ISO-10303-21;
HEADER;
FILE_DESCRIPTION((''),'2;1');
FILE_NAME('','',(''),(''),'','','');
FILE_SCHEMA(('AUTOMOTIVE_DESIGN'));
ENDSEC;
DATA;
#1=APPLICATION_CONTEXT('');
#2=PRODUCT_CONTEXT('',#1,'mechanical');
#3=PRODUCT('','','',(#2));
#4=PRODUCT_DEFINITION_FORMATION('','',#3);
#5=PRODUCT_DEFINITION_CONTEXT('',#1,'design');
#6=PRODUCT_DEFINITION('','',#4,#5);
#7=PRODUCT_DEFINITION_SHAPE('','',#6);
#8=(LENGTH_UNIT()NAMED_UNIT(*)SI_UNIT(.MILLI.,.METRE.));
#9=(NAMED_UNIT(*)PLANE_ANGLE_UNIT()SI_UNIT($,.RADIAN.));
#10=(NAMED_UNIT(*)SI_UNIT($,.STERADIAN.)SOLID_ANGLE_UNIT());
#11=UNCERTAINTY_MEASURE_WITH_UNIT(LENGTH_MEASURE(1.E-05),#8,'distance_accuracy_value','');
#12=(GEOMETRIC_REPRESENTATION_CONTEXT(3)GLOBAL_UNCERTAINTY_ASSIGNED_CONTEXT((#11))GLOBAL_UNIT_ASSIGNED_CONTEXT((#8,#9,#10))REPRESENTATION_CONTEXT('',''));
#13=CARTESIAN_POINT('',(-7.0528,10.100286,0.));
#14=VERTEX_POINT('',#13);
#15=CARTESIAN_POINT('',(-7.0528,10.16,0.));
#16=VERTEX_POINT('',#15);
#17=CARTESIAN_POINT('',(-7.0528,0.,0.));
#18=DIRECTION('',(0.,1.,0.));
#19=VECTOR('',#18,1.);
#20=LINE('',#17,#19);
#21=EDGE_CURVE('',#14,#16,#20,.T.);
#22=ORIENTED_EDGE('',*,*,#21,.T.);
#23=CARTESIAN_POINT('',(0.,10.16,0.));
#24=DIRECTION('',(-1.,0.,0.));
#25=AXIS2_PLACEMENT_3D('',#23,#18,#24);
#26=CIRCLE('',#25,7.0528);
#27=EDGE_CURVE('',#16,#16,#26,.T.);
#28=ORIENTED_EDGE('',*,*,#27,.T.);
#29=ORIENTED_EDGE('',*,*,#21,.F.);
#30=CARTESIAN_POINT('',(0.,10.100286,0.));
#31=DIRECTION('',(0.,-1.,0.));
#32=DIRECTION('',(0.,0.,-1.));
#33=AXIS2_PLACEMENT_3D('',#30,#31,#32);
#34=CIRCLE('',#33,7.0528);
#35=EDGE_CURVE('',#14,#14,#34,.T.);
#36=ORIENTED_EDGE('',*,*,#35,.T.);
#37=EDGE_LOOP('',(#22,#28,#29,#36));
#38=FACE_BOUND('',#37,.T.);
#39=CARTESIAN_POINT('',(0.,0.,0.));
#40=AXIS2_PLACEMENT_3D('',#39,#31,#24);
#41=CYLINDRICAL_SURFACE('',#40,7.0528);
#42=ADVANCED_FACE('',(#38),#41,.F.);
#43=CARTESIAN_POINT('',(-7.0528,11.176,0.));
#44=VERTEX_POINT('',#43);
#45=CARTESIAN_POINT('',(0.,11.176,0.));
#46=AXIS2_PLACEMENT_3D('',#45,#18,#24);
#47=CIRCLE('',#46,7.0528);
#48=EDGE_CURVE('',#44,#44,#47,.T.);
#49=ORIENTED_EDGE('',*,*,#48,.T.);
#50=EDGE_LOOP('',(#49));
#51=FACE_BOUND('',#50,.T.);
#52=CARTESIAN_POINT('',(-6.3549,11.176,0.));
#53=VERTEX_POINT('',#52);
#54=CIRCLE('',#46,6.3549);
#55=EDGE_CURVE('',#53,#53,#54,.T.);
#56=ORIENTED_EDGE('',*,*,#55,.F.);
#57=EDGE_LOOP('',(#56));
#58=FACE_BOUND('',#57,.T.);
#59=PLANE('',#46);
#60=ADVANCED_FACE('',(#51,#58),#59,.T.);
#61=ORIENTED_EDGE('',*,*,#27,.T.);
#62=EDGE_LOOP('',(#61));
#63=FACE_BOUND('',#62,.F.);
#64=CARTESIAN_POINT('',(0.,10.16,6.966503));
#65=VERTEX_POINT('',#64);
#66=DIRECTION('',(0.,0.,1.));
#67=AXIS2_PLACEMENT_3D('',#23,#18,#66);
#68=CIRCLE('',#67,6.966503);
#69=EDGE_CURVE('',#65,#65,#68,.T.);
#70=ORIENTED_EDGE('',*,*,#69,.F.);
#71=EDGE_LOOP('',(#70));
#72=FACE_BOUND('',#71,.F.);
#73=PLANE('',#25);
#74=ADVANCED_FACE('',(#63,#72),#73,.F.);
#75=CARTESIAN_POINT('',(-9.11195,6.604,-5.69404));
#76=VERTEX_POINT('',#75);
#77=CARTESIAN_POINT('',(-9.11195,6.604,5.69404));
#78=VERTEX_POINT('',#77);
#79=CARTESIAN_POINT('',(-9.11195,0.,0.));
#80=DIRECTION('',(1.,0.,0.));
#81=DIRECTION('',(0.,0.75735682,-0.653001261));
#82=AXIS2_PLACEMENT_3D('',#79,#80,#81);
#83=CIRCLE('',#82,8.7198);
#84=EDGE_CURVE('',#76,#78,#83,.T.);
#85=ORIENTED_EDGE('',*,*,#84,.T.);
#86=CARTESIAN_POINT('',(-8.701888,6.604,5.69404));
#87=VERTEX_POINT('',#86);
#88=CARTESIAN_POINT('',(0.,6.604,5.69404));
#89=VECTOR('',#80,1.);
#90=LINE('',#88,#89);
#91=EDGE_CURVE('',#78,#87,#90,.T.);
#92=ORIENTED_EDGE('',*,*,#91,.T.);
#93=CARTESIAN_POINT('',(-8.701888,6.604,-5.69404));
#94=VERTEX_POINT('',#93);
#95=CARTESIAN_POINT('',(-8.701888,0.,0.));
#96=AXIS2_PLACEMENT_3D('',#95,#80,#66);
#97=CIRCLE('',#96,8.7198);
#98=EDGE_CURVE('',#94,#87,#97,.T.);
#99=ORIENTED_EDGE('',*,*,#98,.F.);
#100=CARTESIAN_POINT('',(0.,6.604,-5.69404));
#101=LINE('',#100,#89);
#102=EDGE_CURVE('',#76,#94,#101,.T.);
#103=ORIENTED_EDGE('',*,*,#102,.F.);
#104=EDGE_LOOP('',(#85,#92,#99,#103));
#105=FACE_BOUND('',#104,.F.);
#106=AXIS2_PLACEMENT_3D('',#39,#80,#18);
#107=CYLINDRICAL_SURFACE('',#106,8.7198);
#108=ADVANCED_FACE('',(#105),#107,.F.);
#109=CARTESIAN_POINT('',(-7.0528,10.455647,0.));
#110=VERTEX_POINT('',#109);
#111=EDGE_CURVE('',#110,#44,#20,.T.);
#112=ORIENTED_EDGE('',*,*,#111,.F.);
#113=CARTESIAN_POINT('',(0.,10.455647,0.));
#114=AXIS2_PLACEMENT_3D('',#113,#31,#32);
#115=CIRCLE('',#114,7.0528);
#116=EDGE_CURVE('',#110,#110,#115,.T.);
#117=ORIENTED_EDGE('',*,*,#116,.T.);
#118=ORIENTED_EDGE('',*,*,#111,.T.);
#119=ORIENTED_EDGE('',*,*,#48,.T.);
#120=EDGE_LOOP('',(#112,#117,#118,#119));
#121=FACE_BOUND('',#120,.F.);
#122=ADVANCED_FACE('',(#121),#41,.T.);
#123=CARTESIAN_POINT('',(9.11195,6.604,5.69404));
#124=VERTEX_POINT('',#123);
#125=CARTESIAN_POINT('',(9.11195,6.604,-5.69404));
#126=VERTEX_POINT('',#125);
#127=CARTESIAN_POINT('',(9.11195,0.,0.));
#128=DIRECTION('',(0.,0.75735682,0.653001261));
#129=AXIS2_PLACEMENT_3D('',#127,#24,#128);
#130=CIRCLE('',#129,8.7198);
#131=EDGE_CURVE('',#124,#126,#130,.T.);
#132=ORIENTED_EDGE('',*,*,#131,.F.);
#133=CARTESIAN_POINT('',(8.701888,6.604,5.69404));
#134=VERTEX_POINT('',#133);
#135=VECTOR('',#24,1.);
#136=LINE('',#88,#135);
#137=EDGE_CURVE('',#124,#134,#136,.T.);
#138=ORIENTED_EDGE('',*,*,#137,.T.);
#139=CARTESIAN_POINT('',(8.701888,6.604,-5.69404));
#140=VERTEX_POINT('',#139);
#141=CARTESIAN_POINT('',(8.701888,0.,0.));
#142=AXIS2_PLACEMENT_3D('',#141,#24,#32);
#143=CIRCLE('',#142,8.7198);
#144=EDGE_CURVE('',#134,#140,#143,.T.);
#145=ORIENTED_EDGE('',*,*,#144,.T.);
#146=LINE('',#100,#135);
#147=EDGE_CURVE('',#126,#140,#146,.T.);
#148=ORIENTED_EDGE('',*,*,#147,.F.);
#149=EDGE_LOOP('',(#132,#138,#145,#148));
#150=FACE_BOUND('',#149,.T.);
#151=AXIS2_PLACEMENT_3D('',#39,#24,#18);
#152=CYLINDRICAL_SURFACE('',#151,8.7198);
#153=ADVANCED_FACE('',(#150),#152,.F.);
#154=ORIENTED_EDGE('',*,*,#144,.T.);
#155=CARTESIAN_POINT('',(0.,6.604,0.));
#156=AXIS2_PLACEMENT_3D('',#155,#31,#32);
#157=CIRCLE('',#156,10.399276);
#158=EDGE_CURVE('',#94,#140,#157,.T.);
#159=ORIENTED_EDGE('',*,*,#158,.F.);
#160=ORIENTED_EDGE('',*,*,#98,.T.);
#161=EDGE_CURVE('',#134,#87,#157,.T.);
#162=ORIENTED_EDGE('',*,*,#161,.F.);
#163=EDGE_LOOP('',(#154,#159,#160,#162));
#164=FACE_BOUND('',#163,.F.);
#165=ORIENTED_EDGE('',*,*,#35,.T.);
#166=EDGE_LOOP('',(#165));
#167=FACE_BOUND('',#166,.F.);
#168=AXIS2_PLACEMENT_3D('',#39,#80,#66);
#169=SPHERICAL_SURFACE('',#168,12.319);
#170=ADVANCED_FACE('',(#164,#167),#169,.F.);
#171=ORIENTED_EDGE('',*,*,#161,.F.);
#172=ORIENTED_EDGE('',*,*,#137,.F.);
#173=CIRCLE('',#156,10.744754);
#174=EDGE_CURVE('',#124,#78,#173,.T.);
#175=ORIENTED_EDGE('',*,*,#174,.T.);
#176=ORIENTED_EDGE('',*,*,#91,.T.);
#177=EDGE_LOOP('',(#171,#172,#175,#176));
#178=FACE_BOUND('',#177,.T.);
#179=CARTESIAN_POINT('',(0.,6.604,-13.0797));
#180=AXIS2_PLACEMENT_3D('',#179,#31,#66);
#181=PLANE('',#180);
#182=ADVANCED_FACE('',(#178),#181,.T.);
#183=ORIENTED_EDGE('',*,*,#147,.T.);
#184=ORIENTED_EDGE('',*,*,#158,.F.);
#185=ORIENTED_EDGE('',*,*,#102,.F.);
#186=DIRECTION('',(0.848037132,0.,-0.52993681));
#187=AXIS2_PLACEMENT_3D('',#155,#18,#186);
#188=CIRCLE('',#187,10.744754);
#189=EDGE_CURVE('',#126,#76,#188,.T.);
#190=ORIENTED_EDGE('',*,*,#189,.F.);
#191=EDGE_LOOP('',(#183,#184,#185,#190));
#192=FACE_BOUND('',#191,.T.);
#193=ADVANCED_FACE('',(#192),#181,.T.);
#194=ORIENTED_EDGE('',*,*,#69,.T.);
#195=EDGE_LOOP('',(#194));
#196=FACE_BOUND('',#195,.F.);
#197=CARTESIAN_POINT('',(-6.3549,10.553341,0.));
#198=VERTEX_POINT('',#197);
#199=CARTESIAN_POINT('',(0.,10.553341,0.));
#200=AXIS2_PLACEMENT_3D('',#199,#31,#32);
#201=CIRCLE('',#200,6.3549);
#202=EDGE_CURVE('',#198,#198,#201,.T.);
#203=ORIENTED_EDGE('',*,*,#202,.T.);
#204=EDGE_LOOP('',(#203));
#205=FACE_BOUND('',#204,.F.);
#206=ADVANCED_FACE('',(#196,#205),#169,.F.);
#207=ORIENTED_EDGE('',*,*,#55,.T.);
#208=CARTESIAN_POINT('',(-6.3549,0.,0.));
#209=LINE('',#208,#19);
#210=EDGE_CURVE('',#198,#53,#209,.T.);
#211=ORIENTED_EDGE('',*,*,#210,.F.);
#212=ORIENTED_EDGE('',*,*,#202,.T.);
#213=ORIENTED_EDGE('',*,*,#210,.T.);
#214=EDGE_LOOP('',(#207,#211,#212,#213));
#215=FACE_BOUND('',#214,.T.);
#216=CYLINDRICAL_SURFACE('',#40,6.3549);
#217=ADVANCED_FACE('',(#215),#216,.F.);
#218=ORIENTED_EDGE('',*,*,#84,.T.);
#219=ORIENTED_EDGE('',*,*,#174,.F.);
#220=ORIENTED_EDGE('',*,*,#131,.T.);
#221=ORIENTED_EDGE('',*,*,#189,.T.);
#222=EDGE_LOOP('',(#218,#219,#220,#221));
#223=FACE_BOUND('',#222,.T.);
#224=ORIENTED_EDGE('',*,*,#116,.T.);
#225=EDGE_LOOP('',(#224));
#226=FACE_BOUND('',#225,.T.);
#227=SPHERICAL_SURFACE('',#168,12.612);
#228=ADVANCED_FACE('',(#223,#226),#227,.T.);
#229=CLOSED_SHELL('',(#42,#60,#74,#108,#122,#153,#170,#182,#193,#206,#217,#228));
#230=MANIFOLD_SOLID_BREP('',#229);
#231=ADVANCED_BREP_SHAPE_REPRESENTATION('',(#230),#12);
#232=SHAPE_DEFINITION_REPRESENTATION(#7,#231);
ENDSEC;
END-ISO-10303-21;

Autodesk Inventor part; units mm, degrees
ref_plane "XY Plane" through (0, 0, 0) normal (0, 0, 1) x (1, 0, 0)
sketch "Sketch1" plane through (0, 0, 0) normal (0, 1, 0) x (-1, 0, 0)
  circle A0 centre (0, 0) radius 12.612
  line L0 (12.612, 0) -> (-12.612, 0)
  circle A1 centre (0, 0) radius 21.59
  dimension "d29" = 43.18
revolve "Revolution1" add sketch "Sketch1" angle 360 about axis through (-12.612, 0, 0) along (1, 0, 0) contours L0 A0 | A0 L0
sketch "Sketch2" plane through (0, 0, 0) normal (0, 1, 0) x (-1, 0, 0)
  circle A0 centre (0, 0) radius 6.3549
extrude "Extrusion1" cut sketch "Sketch2" along normal mid plane 25.4
hole "Hole1" [suppressed]
hole "Hole2" [suppressed]
sketch "Sketch3" plane through (0, 0, 0) normal (0, 1, 0) x (-1, 0, 0)
  point P0 (0, 0)
sketch "Sketch4" plane through (0, 0, 0) normal (1, 0, 0) x (0, 1, 0)
  line L0 (6.604, 13.4644) -> (-12.0538, 13.4644)
  line L1 (-12.0538, 13.4644) -> (-12.0538, -13.0797)
  line L2 (-12.0538, -13.0797) -> (6.604, -13.0797)
  line L3 (6.604, -13.0797) -> (6.604, 13.4644)
  point P0 (0, 0)
extrude "Extrusion2" cut sketch "Sketch4" along normal mid plane 30.48
sketch "Sketch5" plane through (0, 0, 0) normal (1, 0, 0) x (0, 1, 0)
  circle A0 centre (0, 0) radius 8.7198
extrude "Extrusion3" cut sketch "Sketch5" along normal mid plane 30.48
sketch "Sketch6" plane through (0, 0, 0) normal (0, 1, 0) x (-1, 0, 0)
  circle A0 centre (0, 0) radius 6.3549
  circle A1 centre (0, 0) radius 7.0528
extrude "Extrusion4" add sketch "Sketch6" along normal blind 11.176
sketch "Sketch7" plane through (0, 0, 0) normal (0, 1, 0) x (-1, 0, 0)
  circle A0 centre (0, 0) radius 6.3549
  circle A1 centre (0, 0) radius 7.0528
extrude "Extrusion5" cut sketch "Sketch7" along normal blind 10.16
sketch "Sketch8" plane through (0, 0, 0) normal (0, 1, 0) x (-1, 0, 0)
  point P0 (0, 0)
sketch "Sketch9" plane through (0, 0, 0) normal (0, 1, 0) x (-1, 0, 0)
  circle A0 centre (0, 0) radius 12.319
  line L0 (12.319, 0) -> (-12.319, 0)
  dimension "d30" = 24.638
revolve "Revolution2" cut sketch "Sketch9" angle 360 about axis through (-12.319, 0, 0) along (1, 0, 0)
properties part number "side"
